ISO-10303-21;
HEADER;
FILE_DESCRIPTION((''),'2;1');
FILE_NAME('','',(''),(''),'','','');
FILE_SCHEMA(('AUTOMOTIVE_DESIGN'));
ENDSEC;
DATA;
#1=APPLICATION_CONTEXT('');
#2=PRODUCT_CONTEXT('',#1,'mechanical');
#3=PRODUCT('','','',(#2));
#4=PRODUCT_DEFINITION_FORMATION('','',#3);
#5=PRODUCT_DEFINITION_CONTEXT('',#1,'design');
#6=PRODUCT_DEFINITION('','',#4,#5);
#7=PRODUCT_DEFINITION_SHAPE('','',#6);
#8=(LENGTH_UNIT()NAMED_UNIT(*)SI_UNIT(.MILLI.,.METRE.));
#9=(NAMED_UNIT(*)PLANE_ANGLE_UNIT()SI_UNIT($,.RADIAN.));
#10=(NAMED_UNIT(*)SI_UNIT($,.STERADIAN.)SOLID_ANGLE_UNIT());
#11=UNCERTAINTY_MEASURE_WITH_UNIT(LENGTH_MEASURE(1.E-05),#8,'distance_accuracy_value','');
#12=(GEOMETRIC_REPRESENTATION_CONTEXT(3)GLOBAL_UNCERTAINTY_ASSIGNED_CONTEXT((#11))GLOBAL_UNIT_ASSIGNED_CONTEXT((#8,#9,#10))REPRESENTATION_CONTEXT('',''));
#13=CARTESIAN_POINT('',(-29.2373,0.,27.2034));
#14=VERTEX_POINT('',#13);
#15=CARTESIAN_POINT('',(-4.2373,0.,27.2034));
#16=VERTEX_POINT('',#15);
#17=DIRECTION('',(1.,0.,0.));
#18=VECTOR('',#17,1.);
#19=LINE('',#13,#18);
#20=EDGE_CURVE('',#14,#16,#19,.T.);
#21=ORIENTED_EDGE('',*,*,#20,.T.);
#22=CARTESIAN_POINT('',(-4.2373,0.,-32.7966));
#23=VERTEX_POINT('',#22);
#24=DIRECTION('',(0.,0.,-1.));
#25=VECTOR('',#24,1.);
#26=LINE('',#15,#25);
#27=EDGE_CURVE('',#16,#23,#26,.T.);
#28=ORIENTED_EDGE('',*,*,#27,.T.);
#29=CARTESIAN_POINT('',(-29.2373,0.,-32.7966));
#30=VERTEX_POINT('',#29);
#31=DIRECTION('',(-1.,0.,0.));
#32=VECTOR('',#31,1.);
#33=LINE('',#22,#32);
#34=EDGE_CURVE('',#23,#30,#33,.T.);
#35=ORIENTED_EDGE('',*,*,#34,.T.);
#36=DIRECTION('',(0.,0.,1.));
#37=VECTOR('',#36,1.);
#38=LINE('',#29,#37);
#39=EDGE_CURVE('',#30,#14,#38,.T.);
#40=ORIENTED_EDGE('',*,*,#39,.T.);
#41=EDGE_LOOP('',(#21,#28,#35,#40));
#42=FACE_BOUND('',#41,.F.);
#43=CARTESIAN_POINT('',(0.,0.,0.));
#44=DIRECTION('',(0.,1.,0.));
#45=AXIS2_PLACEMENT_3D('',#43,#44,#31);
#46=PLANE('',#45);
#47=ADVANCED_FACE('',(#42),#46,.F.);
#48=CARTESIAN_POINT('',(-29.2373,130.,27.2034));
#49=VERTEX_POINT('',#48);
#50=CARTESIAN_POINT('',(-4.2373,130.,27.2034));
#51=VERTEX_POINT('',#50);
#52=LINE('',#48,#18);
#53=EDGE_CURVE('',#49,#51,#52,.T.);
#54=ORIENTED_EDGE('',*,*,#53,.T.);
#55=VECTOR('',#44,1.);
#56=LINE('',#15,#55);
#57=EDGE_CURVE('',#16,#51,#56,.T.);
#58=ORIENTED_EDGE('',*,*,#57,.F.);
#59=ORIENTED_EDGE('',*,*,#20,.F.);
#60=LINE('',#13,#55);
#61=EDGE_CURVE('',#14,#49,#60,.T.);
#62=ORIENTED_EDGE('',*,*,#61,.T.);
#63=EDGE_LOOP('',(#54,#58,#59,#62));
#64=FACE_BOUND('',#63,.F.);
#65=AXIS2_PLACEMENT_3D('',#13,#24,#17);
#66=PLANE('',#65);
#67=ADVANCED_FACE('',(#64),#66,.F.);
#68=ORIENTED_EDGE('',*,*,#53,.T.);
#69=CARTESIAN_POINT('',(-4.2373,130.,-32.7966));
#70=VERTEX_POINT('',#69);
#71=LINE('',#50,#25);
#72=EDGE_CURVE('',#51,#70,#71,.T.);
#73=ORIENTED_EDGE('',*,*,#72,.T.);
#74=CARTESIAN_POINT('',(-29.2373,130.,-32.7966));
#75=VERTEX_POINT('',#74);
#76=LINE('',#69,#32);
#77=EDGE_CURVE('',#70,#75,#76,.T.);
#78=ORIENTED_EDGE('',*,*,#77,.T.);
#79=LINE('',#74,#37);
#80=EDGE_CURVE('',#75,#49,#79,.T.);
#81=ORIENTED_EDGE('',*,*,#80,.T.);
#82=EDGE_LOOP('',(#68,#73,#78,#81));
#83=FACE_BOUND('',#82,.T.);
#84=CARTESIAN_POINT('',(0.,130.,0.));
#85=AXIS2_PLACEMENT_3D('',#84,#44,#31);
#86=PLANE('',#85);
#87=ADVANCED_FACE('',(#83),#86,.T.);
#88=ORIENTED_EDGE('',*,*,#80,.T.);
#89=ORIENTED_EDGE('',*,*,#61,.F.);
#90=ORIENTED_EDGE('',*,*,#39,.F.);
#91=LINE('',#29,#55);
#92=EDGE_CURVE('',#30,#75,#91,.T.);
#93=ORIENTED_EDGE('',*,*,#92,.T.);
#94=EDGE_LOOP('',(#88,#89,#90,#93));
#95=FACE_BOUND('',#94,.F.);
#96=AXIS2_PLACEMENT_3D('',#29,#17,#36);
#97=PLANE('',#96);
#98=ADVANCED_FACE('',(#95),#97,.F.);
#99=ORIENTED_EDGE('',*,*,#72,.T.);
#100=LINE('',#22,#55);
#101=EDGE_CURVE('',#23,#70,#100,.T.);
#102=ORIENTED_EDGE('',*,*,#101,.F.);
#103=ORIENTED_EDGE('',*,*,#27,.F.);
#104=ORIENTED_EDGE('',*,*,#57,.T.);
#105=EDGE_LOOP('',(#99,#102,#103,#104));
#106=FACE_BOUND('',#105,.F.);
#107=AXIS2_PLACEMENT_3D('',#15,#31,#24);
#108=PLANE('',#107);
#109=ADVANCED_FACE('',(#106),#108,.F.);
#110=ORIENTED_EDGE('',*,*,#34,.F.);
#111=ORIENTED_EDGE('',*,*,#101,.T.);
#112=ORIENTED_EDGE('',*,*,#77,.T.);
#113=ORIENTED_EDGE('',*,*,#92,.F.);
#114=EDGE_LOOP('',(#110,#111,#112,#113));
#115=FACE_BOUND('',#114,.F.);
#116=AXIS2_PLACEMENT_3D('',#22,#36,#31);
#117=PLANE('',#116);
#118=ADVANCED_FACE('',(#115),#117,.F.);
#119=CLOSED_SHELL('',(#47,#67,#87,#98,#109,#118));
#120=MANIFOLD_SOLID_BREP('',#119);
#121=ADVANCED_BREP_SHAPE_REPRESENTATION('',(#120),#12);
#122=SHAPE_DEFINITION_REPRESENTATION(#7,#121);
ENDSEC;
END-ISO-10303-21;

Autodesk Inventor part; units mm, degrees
ref_plane "YZ Plane" through (0, 0, 0) normal (1, 0, 0) x (0, 1, 0)
ref_plane "XZ Plane" through (0, 0, 0) normal (0, 1, 0) x (-1, 0, 0)
ref_plane "XY Plane" through (0, 0, 0) normal (0, 0, 1) x (1, 0, 0)
sketch "Esquisse1" plane through (0, 0, 0) normal (0, 1, 0) x (-1, 0, 0)
  line L0 (29.2373, 27.2034) -> (4.2373, 27.2034)
  line L1 (4.2373, 27.2034) -> (4.2373, -32.7966)
  line L2 (4.2373, -32.7966) -> (29.2373, -32.7966)
  line L3 (29.2373, -32.7966) -> (29.2373, 27.2034)
  point P0 (0, 0)
  dimension "d0" = 60
  dimension "d1" = 25
extrude "Extrusion1" add sketch "Esquisse1" along normal blind 130
properties part number "petite-batterie"
